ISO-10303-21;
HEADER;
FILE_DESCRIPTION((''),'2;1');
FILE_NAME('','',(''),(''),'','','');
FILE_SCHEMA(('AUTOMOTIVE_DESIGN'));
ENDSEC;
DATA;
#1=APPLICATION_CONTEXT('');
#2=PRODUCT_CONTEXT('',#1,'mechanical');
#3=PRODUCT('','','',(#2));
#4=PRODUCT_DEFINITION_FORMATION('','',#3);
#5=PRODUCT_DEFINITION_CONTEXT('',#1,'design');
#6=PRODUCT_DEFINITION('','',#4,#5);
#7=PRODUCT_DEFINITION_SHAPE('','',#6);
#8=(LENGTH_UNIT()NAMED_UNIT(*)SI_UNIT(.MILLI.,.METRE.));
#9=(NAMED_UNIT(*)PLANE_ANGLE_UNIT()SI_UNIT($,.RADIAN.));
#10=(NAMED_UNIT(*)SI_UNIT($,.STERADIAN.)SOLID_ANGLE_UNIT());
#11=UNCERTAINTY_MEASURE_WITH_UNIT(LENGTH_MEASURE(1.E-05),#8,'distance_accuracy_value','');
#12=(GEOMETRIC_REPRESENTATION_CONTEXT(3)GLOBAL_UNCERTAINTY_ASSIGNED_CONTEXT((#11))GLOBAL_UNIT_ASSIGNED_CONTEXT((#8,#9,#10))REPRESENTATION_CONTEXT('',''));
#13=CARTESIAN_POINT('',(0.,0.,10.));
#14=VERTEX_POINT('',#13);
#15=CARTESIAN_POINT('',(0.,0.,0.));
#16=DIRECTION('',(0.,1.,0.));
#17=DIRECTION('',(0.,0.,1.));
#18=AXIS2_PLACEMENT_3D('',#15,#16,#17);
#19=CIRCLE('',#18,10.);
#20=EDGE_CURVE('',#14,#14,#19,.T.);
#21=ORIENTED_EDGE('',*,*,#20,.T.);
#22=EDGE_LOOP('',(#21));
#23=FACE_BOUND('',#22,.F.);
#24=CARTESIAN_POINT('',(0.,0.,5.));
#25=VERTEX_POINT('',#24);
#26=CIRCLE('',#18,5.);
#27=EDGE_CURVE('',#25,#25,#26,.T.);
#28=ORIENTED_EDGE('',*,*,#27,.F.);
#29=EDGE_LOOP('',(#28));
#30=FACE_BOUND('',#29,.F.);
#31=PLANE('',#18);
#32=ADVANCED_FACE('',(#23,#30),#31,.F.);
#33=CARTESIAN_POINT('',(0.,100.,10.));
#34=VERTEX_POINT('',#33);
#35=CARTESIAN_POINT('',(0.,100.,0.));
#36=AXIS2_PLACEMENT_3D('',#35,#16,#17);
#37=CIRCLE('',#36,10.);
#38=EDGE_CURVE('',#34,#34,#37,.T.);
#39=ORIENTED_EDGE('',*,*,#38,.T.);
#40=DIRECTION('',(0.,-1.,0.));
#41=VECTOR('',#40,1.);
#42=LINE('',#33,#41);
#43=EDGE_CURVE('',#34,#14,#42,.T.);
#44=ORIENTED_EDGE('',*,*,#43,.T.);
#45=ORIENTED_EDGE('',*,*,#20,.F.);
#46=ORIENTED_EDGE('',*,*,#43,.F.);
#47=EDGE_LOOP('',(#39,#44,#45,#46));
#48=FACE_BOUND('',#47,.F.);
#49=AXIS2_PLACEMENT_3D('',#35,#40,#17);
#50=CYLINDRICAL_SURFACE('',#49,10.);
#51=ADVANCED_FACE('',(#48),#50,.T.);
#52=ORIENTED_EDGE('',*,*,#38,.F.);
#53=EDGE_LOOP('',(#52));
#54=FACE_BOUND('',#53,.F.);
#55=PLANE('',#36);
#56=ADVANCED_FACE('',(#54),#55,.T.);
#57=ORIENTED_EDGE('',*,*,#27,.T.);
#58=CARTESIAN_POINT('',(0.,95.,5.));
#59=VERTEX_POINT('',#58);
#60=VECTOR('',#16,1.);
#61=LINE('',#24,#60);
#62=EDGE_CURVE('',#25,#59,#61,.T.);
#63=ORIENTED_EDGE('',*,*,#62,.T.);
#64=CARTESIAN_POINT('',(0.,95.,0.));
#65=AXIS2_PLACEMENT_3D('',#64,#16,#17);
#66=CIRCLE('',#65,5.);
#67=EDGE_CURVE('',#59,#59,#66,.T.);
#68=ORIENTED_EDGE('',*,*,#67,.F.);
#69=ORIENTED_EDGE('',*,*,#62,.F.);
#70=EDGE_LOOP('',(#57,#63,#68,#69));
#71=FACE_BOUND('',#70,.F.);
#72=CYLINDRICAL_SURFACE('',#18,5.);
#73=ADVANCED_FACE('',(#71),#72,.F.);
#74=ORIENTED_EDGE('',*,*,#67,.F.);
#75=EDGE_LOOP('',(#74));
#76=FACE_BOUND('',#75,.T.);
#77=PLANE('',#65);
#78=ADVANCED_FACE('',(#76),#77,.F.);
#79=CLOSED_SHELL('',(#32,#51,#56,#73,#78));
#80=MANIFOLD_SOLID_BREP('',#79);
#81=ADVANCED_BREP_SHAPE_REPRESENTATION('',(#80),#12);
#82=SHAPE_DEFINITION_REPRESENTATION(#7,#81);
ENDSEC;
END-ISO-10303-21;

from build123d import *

# Parameters (mm, degrees)
F0_W = 5
F0_H = 5


with BuildPart() as f1:
    # F0 (on Right) → F1 (revolve)
    with BuildSketch(Plane.YZ):
        with Locations((97.5, 2.5)):
            Rectangle(F0_W, F0_H)
        Polygon((0, 10), (0, 5), (95, 5), (100, 5), (100, 10), align=None)
    revolve(axis=Axis((0, 97.5, 0), (0, 1, 0)))


solid = f1.part
